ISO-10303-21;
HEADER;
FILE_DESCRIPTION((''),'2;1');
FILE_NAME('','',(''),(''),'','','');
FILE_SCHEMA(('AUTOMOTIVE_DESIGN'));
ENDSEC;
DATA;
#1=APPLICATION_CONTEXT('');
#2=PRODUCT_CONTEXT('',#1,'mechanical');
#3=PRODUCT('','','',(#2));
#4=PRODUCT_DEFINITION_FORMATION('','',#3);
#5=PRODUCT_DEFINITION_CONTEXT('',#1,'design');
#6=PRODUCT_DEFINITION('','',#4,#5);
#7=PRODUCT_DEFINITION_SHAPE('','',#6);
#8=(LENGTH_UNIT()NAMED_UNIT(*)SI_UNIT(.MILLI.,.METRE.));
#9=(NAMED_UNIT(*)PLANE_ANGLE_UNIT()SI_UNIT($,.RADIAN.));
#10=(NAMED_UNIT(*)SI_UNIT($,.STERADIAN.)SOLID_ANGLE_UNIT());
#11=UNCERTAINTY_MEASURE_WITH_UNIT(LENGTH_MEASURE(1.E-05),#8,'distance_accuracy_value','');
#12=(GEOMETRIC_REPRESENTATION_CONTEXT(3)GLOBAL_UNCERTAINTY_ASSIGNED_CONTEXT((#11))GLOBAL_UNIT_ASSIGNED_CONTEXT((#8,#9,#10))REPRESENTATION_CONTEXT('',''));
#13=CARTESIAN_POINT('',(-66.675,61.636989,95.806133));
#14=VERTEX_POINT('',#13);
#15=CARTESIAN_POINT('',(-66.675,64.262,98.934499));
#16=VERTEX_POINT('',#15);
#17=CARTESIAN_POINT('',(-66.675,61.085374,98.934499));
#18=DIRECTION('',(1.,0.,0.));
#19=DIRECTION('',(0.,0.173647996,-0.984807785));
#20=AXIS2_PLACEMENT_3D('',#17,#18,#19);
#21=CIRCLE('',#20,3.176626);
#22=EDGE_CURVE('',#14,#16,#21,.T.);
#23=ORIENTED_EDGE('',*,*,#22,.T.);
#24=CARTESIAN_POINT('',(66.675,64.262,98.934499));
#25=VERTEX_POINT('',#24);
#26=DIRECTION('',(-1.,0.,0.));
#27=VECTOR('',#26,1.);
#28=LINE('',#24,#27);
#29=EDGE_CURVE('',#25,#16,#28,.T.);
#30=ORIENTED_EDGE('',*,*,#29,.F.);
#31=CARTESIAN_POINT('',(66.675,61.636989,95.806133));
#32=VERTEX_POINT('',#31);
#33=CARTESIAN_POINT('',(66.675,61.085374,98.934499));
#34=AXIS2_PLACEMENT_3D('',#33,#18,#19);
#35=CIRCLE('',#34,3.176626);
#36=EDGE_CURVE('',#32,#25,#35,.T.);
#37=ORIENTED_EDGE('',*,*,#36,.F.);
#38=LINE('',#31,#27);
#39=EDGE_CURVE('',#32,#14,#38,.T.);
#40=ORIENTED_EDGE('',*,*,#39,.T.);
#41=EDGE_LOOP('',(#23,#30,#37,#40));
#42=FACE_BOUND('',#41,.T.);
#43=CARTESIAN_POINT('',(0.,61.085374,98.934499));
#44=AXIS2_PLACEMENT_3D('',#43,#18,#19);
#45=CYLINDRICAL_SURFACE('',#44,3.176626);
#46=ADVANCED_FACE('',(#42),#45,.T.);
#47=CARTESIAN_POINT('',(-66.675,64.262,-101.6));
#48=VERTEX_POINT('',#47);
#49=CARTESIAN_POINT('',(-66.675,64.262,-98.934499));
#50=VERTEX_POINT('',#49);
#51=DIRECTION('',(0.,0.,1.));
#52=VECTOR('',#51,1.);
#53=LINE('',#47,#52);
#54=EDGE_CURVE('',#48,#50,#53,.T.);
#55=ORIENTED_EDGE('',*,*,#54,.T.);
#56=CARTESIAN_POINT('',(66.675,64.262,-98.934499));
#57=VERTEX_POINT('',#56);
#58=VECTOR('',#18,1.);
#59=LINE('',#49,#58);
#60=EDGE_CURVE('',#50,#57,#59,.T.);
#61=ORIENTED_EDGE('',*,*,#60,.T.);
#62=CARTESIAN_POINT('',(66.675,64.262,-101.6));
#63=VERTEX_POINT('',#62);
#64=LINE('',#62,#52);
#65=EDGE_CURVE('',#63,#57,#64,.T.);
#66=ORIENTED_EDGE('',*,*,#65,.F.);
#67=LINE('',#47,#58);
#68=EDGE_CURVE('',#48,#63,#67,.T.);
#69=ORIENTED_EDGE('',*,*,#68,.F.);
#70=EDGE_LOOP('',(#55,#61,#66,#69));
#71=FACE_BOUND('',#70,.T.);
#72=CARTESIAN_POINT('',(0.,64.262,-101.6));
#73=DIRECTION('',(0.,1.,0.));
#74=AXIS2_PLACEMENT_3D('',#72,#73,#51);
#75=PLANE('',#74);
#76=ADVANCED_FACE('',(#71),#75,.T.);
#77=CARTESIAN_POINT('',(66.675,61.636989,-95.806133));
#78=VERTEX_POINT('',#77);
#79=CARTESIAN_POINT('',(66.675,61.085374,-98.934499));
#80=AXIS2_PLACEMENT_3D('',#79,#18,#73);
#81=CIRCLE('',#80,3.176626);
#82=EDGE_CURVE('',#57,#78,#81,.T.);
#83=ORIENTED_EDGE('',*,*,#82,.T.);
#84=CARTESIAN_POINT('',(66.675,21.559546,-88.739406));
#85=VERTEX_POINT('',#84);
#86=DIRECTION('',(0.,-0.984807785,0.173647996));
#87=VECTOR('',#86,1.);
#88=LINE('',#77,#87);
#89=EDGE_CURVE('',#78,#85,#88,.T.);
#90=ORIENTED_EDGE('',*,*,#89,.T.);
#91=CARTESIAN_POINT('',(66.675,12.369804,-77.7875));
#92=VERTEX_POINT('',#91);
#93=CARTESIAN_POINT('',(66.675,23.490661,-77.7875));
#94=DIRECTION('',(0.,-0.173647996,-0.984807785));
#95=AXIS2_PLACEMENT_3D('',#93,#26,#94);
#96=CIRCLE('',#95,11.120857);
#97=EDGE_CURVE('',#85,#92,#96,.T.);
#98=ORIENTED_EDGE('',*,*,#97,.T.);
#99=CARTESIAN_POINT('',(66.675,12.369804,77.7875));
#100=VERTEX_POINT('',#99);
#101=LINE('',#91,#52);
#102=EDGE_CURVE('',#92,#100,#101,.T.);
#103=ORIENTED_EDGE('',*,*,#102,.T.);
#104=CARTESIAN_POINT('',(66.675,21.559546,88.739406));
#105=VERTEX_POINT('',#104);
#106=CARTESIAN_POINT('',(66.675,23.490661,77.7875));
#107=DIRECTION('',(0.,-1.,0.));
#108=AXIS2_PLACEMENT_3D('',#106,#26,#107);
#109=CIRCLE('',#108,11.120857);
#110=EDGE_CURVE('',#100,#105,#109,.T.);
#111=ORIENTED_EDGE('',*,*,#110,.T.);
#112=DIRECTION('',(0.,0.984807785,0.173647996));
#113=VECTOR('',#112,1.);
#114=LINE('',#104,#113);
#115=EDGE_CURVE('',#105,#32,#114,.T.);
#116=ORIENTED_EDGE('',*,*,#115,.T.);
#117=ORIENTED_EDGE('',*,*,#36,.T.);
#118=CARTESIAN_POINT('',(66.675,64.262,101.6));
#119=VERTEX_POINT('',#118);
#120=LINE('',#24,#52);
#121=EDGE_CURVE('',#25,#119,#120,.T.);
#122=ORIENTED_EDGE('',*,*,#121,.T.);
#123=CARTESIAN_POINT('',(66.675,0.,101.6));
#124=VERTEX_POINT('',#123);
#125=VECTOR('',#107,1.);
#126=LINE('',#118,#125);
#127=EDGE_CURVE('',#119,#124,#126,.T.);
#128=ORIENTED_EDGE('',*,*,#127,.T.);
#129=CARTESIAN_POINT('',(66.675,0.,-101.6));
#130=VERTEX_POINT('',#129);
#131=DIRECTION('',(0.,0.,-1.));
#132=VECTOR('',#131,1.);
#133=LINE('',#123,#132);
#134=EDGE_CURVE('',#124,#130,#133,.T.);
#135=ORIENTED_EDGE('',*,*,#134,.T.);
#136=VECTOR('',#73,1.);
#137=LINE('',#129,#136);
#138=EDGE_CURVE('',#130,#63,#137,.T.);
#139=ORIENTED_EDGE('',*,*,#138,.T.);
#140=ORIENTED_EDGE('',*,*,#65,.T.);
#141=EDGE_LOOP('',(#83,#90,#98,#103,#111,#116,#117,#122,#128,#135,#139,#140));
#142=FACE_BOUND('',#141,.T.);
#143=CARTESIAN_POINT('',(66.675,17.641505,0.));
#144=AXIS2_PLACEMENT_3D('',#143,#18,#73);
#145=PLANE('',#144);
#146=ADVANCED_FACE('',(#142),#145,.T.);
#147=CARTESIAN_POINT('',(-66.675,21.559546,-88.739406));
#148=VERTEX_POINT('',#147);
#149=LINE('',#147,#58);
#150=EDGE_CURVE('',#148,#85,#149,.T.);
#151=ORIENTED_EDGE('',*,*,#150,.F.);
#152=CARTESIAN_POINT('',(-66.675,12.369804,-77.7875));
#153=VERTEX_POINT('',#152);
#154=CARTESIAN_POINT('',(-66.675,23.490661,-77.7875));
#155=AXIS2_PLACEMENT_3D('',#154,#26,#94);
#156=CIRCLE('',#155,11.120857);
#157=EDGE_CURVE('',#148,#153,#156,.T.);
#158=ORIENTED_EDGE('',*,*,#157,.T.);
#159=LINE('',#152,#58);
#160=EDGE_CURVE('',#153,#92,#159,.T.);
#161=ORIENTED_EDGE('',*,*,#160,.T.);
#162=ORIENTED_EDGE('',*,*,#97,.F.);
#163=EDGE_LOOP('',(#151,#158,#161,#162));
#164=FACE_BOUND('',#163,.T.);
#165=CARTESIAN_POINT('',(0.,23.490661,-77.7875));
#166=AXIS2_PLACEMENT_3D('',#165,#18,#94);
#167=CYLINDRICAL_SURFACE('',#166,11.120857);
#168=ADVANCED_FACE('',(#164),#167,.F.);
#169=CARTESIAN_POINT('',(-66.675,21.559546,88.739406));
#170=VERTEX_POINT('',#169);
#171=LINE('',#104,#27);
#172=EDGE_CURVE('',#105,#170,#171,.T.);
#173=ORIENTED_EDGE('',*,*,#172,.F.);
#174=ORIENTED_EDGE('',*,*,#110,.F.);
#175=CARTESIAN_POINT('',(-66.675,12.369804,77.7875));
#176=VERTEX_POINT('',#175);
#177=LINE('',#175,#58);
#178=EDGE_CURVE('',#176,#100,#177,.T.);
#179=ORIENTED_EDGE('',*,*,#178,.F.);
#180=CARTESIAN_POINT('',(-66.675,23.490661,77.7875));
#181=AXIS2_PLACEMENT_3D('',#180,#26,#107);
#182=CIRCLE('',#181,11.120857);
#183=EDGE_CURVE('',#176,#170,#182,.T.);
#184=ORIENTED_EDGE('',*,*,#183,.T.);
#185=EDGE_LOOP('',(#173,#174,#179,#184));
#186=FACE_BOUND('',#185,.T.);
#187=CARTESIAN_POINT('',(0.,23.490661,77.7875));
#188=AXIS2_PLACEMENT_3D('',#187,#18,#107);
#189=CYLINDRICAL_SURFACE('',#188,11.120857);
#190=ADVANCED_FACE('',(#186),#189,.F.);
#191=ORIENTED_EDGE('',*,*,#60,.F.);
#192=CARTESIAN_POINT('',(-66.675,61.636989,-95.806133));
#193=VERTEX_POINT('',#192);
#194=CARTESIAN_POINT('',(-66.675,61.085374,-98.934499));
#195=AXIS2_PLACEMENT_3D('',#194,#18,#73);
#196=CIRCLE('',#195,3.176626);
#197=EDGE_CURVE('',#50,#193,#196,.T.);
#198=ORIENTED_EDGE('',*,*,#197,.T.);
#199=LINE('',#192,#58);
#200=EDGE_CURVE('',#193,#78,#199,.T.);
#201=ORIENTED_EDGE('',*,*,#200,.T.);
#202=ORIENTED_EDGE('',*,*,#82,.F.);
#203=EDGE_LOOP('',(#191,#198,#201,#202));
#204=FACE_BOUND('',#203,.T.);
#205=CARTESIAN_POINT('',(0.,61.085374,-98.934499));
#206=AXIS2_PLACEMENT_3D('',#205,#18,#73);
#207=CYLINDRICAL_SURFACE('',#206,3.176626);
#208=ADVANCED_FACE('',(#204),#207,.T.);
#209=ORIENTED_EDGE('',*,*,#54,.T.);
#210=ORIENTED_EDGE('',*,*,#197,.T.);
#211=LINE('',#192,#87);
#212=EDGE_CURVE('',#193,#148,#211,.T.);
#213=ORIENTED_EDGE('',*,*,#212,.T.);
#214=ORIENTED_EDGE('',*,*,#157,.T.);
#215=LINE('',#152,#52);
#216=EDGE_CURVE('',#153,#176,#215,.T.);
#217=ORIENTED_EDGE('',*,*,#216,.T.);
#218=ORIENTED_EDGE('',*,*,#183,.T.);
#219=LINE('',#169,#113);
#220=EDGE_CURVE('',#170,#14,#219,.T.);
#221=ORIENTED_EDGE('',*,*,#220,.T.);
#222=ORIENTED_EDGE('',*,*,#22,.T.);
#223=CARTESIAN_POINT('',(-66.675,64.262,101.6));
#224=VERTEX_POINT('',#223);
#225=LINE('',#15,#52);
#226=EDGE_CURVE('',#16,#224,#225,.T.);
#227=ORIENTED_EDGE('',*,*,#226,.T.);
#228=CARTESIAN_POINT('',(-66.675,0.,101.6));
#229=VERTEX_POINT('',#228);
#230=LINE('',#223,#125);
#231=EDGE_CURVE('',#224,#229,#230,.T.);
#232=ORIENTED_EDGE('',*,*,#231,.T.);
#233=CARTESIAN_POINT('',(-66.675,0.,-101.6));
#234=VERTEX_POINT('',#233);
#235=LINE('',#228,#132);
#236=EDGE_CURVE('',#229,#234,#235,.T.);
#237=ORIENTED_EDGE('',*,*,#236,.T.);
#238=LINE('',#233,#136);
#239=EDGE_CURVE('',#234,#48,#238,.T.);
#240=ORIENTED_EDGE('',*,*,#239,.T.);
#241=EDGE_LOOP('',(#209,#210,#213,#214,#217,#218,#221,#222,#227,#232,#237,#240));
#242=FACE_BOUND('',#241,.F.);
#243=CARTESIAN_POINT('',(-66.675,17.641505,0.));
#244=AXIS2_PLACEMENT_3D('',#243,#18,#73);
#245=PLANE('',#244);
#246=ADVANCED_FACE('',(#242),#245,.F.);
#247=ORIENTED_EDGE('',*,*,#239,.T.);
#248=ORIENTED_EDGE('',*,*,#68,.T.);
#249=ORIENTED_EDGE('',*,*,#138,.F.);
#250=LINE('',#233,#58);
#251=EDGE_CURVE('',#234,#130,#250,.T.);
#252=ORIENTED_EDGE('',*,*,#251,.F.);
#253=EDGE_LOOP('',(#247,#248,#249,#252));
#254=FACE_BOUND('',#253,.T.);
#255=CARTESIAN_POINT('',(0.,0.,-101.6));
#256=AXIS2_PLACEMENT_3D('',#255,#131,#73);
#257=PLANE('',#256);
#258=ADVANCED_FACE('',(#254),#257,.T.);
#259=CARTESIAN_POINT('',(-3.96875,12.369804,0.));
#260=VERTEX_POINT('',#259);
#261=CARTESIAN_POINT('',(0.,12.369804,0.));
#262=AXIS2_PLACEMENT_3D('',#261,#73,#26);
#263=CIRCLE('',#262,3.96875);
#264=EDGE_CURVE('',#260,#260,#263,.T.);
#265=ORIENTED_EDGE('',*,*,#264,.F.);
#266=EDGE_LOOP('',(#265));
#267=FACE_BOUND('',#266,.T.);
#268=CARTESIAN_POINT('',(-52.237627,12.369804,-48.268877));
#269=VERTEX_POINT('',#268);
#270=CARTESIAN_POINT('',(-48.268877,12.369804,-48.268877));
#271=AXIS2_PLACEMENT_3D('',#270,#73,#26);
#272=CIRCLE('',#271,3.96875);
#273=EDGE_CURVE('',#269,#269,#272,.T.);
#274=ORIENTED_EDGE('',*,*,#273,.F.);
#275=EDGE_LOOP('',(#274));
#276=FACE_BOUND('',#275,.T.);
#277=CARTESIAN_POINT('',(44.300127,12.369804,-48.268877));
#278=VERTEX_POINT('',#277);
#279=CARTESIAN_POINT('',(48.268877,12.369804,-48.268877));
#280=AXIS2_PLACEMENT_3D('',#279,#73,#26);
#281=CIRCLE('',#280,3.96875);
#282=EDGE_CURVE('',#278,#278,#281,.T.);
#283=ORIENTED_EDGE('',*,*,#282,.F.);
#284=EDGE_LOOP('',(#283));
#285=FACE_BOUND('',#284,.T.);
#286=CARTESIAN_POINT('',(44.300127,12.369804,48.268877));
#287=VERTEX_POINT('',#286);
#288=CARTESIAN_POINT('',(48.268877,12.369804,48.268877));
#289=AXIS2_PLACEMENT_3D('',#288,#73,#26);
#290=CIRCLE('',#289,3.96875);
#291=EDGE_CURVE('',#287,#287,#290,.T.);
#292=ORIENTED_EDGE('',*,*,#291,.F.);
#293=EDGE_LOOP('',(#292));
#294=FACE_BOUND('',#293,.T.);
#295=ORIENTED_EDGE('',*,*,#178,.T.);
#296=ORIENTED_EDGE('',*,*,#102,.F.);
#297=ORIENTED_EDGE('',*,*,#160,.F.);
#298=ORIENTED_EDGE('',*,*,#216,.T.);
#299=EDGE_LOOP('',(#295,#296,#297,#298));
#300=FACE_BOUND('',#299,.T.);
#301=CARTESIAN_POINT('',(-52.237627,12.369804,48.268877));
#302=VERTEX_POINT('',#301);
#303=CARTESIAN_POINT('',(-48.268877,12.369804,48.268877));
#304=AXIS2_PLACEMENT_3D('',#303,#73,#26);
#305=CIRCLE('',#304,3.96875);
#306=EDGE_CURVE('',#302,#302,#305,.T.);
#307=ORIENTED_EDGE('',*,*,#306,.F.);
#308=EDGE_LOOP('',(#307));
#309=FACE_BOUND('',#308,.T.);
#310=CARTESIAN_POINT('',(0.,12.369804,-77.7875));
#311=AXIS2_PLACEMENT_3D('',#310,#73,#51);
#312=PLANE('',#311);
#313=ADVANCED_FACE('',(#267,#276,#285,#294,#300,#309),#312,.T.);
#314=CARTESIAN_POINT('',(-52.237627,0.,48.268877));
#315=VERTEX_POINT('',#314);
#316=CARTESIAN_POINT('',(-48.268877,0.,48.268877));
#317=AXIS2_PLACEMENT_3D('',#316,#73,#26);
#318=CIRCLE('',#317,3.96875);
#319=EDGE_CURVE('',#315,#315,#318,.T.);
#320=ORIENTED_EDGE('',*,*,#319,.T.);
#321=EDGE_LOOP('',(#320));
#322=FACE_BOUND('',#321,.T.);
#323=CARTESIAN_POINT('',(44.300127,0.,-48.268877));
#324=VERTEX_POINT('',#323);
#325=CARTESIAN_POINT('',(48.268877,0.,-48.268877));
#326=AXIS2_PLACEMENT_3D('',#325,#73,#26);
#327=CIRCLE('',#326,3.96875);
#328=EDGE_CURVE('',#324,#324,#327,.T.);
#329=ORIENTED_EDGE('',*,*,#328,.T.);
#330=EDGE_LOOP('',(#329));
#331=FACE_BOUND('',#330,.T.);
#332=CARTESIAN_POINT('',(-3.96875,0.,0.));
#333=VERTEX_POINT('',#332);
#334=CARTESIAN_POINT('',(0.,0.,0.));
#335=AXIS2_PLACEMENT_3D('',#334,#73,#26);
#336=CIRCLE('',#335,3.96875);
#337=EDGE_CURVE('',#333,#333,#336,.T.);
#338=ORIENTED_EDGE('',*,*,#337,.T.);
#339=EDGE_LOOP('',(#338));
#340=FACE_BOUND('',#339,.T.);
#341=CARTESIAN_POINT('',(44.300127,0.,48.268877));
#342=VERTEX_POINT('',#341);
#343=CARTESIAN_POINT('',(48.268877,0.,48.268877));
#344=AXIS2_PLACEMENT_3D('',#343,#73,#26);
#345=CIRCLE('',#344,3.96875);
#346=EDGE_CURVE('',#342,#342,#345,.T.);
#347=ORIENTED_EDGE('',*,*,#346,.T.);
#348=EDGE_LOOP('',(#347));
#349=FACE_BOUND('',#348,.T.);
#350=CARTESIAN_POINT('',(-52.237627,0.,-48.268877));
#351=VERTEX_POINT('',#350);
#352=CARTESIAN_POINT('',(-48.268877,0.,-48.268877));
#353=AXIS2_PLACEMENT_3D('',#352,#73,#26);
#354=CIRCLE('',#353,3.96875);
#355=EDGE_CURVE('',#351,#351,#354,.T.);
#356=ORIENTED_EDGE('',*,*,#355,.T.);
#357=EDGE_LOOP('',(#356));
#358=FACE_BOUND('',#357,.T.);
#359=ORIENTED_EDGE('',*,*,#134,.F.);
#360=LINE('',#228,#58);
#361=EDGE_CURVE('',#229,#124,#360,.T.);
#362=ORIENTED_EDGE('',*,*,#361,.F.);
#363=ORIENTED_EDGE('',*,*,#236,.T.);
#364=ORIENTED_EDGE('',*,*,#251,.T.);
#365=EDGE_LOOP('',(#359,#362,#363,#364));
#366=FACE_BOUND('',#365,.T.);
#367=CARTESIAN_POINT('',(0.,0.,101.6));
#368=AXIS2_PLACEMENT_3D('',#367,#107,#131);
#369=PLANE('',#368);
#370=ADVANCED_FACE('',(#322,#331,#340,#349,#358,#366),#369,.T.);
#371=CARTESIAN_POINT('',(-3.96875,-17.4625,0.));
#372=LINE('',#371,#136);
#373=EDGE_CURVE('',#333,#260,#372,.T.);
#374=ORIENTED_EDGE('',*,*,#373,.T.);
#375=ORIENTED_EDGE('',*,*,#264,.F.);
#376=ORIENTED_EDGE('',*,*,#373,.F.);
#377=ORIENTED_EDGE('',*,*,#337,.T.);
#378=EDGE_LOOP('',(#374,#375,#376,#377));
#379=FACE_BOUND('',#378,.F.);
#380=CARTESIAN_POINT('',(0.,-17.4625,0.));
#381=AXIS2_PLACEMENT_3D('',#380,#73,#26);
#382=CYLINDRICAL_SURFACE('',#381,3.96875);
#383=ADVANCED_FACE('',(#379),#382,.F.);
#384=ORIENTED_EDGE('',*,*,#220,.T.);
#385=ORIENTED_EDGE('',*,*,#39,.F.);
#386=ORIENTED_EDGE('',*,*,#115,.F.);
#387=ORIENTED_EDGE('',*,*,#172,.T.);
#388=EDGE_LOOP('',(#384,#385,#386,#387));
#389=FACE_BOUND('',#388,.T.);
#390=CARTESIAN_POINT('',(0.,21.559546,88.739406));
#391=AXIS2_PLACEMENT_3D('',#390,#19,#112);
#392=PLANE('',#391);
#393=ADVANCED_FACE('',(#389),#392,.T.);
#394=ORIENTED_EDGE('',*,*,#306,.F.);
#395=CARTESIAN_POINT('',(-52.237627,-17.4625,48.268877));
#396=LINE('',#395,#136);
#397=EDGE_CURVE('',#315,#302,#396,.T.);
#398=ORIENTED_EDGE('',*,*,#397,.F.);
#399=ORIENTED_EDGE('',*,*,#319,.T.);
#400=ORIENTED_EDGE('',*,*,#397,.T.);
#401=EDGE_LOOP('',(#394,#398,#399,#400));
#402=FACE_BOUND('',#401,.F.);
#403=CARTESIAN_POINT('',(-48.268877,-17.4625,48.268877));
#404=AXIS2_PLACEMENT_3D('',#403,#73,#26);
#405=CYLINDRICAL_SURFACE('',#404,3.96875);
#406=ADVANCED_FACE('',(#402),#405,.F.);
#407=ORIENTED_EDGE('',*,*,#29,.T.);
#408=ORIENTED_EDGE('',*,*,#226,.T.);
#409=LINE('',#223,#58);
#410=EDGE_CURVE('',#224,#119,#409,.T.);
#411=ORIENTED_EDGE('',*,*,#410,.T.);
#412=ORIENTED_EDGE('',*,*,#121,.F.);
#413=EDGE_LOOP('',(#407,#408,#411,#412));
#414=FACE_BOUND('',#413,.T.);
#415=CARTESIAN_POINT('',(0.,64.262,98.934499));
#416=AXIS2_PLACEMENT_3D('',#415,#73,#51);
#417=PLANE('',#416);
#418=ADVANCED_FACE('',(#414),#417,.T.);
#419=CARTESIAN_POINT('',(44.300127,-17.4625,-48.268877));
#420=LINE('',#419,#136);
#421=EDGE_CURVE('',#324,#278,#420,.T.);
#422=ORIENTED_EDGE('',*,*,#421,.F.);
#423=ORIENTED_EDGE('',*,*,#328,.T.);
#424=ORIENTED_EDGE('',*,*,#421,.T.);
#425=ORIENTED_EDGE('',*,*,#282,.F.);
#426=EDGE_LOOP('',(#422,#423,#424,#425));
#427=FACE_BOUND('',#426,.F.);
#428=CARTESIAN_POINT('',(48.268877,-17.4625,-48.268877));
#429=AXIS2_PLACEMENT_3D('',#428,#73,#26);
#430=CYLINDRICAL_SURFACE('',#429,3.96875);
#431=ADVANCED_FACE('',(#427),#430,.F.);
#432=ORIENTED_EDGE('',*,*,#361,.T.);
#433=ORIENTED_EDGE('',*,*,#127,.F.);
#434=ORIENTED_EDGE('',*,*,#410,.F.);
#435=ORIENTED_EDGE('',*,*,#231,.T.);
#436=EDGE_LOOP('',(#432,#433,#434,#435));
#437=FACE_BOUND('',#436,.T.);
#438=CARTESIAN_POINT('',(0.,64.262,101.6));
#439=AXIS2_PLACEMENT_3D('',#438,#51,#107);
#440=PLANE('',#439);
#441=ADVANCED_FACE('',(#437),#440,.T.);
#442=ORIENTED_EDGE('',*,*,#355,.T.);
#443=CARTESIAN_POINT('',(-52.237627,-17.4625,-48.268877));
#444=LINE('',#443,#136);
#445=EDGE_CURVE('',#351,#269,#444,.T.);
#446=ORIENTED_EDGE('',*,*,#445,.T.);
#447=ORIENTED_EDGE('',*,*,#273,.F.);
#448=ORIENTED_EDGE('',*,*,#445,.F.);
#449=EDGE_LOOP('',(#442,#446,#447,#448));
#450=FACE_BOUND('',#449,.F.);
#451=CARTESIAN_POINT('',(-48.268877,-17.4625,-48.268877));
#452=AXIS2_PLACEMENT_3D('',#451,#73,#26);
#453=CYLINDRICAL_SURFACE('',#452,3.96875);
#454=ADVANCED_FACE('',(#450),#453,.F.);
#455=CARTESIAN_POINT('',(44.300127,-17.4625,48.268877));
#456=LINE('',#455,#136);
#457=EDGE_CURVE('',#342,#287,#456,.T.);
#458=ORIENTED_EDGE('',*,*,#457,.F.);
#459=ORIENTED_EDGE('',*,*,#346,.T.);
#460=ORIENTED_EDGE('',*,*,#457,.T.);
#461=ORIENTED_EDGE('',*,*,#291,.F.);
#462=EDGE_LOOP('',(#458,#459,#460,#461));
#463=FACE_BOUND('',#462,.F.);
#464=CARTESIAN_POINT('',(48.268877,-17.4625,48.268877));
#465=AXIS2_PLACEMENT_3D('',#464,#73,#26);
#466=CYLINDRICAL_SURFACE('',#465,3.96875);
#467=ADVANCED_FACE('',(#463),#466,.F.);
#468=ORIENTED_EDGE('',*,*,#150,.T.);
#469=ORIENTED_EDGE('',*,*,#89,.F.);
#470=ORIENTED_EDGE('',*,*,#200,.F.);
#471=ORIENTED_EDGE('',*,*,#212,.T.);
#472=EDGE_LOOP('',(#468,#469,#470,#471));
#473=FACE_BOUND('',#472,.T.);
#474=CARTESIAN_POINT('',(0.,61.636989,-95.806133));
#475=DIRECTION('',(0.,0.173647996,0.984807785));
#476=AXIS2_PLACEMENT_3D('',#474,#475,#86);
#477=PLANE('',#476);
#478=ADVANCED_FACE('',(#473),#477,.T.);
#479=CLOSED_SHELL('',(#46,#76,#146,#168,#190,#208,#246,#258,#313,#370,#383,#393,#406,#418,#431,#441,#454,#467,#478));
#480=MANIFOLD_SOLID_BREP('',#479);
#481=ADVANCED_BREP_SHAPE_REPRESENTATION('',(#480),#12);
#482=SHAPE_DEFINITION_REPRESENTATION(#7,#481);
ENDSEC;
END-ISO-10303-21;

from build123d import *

# Parameters (mm, degrees)
F1_DEPTH = 66.675
F3_D     = 7.9375
F3_DEPTH = 17.4625
F3_TIP   = 2.3846655818


with BuildPart() as f1:
    # F0 (on Right) → F1 (new body, symmetric)
    with BuildSketch(Plane.YZ):
        with BuildLine():
            Line((64.262, 98.9344986), (64.262, 101.6))
            Line((64.262, 101.6), (0, 101.6))
            Line((0, 101.6), (0, -101.6))
            Line((0, -101.6), (64.262, -101.6))
            Line((64.262, -101.6), (64.262, -98.9344986))
            ThreePointArc((64.262, -98.9344986), (63.5188106002, -96.892602799), (61.6369890689, -95.8061329788))
            Line((61.6369890689, -95.8061329788), (21.559546439, -88.7394061564))
            ThreePointArc((21.559546439, -88.7394061564), (14.9715911581, -84.9358496182), (12.3698042993, -77.7875))
            Line((12.3698042993, -77.7875), (12.3698042993, 77.7875))
            ThreePointArc((12.3698042993, 77.7875), (14.9715911581, 84.9358496182), (21.559546439, 88.7394061564))
            Line((21.559546439, 88.7394061564), (61.6369890689, 95.8061329788))
            ThreePointArc((61.6369890689, 95.8061329788), (63.5188106002, 96.892602799), (64.262, 98.9344986))
        make_face()
    extrude(amount=F1_DEPTH, both=True)

    # F3
    with Locations(Plane.XZ):
        with Locations((-48.2688766507, 48.2688766507), (48.2688766507, 48.2688766507), (48.2688766507, -48.2688766507), (-48.2688766507, -48.2688766507), (0, 0)):
            Hole(F3_D / 2, depth=F3_DEPTH)
            with Locations((0, 0, -(F3_DEPTH + F3_TIP / 2))):  # 118° drill point
                Cone(0, F3_D / 2, F3_TIP, mode=Mode.SUBTRACT)


solid = f1.part
